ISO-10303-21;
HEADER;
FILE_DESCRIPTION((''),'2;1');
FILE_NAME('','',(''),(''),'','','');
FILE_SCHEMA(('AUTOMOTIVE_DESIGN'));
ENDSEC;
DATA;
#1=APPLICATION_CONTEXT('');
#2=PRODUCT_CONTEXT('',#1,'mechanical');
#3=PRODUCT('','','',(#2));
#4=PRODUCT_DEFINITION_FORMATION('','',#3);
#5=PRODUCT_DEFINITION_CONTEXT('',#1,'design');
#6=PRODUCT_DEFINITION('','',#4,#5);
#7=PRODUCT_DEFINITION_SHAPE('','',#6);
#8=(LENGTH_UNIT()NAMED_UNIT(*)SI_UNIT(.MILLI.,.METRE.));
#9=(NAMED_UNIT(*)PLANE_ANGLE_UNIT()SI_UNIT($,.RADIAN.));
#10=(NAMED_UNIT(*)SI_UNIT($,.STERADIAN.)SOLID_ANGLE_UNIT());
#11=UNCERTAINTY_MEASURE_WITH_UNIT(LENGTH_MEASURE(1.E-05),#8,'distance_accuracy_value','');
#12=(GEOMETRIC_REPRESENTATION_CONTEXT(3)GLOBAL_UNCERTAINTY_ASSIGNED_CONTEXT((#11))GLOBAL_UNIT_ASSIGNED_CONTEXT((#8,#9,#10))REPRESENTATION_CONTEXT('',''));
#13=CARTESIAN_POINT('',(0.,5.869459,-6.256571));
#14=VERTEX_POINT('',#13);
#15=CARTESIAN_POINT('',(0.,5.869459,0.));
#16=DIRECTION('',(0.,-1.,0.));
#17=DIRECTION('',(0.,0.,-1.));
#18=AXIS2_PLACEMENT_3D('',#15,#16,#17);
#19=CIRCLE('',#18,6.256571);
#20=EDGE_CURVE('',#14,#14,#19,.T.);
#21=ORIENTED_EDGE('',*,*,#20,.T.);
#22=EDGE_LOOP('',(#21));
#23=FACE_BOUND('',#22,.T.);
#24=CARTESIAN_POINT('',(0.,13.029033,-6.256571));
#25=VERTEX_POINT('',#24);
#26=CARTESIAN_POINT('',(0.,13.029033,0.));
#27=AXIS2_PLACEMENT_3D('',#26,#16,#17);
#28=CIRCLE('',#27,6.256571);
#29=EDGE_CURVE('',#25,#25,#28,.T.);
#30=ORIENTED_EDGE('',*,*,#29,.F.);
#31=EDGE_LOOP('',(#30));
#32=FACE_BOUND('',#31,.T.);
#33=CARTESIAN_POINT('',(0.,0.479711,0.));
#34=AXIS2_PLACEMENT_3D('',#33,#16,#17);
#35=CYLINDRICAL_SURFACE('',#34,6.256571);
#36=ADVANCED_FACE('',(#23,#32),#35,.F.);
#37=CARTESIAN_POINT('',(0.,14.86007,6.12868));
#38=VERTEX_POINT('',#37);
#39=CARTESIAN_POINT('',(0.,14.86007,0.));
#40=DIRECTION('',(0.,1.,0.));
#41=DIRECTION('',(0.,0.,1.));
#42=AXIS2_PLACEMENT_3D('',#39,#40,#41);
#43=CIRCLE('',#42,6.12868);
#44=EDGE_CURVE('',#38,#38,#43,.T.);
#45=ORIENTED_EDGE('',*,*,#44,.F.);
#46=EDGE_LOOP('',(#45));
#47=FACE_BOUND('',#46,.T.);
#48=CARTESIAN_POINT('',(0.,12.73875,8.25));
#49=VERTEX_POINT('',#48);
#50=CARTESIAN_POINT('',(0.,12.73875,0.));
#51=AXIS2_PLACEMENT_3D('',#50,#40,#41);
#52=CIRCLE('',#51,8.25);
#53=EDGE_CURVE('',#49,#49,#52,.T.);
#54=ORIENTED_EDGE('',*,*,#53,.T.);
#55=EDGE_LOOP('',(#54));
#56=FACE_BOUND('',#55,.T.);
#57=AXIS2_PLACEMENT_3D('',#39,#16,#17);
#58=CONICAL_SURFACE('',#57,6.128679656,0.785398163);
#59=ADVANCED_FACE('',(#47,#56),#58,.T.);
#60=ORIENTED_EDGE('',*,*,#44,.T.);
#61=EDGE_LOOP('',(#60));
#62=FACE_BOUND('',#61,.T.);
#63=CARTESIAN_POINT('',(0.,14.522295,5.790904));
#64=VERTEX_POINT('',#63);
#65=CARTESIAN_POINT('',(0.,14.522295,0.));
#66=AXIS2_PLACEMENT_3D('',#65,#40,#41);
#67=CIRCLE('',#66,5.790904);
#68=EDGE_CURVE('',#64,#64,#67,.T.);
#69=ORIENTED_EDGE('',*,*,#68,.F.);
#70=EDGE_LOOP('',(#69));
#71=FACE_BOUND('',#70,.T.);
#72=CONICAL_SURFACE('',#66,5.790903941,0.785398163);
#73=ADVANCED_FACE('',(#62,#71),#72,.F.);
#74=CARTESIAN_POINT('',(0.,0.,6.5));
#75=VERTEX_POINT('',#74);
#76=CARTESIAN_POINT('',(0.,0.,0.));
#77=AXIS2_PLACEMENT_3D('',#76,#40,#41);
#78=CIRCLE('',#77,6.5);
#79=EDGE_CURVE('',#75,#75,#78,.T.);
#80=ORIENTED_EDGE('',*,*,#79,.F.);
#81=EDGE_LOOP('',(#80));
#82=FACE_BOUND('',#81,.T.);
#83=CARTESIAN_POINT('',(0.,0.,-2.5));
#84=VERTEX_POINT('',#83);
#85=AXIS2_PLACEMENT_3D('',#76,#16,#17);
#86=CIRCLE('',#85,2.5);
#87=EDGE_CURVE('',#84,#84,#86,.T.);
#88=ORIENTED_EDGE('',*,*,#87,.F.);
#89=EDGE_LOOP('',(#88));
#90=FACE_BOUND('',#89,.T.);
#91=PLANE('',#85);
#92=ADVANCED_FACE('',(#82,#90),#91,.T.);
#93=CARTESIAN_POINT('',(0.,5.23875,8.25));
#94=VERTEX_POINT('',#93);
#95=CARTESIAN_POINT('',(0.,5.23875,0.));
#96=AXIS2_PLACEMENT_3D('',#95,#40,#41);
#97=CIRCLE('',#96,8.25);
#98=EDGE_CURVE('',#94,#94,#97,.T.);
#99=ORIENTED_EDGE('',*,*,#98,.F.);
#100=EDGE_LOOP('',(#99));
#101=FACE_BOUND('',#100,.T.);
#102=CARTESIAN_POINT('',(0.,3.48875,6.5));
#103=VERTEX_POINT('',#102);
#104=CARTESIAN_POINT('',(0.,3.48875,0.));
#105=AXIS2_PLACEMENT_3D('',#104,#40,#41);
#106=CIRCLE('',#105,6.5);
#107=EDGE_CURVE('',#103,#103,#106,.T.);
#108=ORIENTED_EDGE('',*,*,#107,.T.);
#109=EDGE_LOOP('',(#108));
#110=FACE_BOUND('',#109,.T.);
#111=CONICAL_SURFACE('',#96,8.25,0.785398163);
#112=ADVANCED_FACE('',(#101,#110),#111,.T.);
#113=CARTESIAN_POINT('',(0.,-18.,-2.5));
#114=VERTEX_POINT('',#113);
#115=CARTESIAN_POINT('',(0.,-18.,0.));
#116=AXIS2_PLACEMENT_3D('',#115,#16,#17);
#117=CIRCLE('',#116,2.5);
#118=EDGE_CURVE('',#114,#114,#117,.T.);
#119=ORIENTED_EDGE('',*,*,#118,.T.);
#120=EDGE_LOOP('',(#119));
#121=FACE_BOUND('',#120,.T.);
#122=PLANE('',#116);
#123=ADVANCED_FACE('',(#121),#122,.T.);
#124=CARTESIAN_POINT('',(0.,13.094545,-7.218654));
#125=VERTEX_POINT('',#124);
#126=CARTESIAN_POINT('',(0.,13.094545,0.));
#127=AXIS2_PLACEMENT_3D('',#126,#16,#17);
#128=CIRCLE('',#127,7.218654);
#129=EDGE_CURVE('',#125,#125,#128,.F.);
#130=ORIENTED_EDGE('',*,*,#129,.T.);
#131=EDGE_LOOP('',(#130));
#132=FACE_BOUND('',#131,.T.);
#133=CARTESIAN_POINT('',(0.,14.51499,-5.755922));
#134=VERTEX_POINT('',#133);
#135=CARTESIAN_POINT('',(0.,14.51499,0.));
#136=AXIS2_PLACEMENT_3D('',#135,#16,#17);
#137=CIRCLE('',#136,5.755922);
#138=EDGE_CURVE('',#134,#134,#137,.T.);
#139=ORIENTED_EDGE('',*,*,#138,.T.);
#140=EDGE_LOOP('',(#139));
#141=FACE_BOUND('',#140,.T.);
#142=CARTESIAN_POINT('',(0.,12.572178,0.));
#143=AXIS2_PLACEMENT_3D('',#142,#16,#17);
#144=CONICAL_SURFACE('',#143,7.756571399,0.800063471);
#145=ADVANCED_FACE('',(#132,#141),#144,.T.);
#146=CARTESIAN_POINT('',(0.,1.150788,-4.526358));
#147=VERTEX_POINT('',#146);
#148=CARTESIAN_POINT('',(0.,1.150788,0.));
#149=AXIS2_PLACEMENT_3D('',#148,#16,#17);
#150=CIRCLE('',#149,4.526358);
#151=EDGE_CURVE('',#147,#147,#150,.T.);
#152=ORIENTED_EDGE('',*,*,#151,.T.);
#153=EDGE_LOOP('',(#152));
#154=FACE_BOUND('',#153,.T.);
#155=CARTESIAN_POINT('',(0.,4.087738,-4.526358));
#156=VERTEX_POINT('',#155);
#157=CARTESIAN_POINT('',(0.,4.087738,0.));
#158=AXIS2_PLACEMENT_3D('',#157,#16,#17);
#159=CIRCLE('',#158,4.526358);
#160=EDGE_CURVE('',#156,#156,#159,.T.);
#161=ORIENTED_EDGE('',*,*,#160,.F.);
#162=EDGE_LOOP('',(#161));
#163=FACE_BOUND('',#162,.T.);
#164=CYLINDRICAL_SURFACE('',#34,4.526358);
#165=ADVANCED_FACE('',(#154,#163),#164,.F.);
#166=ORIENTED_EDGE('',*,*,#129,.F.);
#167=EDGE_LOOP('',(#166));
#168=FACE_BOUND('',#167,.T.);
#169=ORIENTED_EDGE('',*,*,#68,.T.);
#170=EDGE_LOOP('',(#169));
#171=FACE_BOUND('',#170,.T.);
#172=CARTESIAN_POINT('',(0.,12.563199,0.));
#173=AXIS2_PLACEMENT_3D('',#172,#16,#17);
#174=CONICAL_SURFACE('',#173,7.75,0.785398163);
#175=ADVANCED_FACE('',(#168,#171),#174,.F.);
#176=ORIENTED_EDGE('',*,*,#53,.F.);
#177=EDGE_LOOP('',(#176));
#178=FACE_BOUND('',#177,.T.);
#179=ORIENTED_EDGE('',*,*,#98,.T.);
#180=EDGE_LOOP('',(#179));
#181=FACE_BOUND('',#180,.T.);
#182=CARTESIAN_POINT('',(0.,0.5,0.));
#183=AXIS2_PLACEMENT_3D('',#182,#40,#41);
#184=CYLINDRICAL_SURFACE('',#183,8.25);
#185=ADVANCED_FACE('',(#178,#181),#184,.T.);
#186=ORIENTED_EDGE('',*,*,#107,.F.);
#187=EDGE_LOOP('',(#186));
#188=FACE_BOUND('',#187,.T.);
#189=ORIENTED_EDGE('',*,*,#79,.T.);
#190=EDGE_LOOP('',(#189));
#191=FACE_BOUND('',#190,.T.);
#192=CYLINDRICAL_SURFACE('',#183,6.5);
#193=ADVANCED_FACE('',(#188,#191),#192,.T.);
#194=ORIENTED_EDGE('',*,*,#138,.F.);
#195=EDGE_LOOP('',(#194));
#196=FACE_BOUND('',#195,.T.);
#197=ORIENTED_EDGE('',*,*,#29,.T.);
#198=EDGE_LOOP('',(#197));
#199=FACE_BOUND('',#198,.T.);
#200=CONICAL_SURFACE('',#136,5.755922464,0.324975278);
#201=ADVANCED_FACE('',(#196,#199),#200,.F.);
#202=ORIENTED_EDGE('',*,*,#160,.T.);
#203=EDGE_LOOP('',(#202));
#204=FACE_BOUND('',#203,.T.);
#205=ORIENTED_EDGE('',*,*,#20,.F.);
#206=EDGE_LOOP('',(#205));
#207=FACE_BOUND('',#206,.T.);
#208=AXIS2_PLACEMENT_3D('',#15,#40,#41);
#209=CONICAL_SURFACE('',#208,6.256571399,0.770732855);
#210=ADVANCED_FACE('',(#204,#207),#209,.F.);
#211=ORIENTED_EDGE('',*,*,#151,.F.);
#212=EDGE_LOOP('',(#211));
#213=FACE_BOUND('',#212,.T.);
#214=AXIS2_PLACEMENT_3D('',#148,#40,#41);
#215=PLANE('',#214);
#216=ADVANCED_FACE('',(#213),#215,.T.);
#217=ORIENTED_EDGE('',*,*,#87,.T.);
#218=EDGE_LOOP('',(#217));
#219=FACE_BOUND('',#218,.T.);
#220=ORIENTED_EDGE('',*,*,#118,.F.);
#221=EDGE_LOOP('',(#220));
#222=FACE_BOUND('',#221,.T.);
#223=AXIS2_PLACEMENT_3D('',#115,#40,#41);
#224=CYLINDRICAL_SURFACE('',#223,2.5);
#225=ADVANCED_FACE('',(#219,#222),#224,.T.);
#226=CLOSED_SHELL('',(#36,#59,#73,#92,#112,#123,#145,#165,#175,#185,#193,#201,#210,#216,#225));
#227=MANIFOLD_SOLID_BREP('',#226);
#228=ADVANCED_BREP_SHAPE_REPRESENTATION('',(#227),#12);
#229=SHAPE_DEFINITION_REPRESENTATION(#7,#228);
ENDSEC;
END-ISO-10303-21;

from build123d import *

# Parameters (mm, degrees)
SKETCH2_R           = 2.5
BOSS_EXTRUDE1_DEPTH = 18


with BuildPart() as part:
    # Sketch1 → Revolve1 (revolve)
    with BuildSketch(Plane.XY):
        Polygon((0, 0), (-6.5, 0), (-6.5, 3.48875), (-8.25, 5.23875), (-8.25, 12.73875), (-6.128679656, 14.860070344), (-5.790903941, 14.522294629), (-7.75, 12.56319857), (-7.75, 5.56319857), (-6, 3.81319857), (-6, 0.5), (0, 0.5), align=None)
    revolve(axis=Axis((0, 0.5, 0), (0, -1, 0)))

    # Sketch2 → Boss-Extrude1 (add)
    with BuildSketch(Plane.XZ):
        Circle(SKETCH2_R)
    extrude(amount=BOSS_EXTRUDE1_DEPTH)

    # Sketch3 → Revolve2 (revolve)
    with BuildSketch(Plane.XY):
        Polygon((7.756571399, 12.572177682), (7.756571399, 5.526763194), (6.042904197, 3.762081274), (6.042904197, 0.47971139), (0, 0.47971139), (0, 1.150787733), (4.526358004, 1.150787733), (4.526358004, 4.087737861), (6.256571399, 5.869458543), (6.256571399, 12.21791401), (6.256571399, 13.029033499), (5.755922464, 14.51499039), align=None)
    revolve(axis=Axis((0, 0.47971139, 0), (0, 1, 0)))


solid = part.part
